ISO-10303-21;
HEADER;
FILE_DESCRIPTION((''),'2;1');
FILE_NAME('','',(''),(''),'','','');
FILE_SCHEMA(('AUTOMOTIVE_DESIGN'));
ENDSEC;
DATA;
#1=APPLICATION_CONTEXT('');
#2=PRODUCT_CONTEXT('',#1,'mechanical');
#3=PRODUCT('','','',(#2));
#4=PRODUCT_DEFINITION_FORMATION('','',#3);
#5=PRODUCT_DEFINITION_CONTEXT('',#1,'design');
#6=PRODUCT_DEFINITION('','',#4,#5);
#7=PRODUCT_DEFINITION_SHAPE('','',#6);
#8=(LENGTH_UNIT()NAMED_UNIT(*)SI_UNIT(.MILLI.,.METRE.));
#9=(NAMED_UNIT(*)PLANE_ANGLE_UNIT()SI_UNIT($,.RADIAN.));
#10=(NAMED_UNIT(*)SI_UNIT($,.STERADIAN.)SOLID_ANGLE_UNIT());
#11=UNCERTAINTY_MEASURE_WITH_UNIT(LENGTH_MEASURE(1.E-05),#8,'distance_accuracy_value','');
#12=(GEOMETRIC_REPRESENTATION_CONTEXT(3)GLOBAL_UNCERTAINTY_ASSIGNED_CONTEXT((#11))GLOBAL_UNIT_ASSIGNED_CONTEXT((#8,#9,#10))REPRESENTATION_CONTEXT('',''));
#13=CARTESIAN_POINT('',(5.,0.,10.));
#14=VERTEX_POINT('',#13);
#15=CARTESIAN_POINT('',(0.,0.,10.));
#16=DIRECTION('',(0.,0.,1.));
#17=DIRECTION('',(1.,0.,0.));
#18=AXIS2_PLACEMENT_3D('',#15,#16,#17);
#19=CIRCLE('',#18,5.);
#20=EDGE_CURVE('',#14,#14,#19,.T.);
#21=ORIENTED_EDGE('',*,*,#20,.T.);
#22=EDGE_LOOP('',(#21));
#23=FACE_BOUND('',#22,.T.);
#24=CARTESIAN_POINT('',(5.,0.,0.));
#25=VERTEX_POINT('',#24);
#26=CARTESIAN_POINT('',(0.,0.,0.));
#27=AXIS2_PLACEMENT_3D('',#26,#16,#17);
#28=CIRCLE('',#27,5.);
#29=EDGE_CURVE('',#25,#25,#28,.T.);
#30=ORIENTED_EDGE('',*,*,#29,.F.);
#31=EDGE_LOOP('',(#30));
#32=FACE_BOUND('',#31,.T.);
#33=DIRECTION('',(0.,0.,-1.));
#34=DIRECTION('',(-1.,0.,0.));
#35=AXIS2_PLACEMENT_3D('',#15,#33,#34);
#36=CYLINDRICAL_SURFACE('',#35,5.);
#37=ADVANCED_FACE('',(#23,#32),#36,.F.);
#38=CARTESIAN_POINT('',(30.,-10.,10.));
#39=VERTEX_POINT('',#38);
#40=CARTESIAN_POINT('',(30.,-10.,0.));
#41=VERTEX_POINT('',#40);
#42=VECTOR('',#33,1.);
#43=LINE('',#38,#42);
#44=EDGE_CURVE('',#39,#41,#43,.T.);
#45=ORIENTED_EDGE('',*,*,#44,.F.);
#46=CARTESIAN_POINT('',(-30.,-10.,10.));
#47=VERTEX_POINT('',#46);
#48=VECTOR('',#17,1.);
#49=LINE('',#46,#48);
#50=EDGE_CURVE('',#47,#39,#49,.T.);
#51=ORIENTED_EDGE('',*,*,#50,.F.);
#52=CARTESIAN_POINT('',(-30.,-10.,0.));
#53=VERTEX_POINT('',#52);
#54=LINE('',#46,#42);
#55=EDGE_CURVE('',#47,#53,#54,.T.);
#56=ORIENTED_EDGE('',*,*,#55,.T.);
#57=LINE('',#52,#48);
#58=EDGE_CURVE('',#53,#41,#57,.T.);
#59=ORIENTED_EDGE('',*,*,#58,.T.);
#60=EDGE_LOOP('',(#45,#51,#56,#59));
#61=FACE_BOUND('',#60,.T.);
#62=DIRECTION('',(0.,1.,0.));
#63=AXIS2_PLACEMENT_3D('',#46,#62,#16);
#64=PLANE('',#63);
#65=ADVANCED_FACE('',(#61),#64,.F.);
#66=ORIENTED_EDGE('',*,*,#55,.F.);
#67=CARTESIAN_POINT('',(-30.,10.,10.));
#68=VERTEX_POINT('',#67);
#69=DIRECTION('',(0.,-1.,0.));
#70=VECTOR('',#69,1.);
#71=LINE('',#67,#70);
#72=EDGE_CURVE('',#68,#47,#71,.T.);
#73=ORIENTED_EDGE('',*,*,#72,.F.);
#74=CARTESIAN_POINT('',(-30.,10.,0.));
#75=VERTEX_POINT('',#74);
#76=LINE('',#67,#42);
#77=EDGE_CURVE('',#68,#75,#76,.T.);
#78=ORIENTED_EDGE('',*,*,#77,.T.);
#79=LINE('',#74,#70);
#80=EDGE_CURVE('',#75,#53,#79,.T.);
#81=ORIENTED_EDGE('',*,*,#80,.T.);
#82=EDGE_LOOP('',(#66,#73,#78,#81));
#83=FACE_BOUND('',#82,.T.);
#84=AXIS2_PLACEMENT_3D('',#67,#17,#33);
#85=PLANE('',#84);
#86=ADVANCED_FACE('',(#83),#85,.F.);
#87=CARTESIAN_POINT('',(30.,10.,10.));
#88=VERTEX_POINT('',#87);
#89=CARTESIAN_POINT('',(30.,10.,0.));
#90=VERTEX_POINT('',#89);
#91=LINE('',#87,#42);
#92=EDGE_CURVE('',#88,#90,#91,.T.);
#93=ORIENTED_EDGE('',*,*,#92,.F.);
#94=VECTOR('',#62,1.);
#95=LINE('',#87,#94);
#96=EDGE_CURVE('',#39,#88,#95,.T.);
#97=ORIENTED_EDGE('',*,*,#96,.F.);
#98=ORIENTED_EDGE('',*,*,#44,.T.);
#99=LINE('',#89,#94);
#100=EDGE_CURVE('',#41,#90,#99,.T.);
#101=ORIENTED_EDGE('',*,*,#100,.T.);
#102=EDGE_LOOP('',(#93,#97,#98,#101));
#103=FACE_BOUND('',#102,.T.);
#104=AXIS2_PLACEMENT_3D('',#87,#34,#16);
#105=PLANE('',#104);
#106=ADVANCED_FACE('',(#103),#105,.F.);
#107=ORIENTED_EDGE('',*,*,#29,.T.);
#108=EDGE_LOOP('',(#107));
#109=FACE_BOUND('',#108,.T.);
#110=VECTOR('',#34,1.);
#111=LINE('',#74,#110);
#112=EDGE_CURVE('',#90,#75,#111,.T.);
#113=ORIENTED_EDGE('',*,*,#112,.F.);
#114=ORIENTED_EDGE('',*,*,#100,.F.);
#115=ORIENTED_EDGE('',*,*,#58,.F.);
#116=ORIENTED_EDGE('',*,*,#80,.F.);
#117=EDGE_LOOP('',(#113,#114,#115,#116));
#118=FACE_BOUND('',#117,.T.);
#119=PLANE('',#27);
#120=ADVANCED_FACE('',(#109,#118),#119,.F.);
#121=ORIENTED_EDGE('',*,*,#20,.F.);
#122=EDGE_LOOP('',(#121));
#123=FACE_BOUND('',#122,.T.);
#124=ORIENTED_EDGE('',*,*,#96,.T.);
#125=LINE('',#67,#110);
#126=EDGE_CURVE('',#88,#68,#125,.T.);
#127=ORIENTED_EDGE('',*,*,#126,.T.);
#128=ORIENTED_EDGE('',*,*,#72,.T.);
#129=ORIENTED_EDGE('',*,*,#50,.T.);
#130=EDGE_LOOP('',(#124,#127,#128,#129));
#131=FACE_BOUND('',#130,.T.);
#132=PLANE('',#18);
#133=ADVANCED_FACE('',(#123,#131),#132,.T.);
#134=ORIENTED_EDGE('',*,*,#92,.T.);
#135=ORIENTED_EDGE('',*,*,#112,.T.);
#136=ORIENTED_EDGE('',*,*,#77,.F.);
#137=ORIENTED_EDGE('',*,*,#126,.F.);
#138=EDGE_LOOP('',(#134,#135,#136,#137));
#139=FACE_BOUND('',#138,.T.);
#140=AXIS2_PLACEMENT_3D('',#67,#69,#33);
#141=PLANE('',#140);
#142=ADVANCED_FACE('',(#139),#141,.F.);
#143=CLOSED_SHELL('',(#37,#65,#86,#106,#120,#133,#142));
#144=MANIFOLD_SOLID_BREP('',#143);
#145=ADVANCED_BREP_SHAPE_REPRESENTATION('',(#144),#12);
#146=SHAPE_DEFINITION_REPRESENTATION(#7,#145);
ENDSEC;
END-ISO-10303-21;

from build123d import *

# Parameters (mm, degrees)
SKETCH1_W           = 60
SKETCH1_H           = 20
SKETCH1_R           = 5
BOSS_EXTRUDE1_DEPTH = 10


with BuildPart() as part:
    # Sketch1 → Boss-Extrude1 (new body)
    with BuildSketch(Plane.XY):
        Rectangle(SKETCH1_W, SKETCH1_H)
        Circle(SKETCH1_R, mode=Mode.SUBTRACT)
    extrude(amount=BOSS_EXTRUDE1_DEPTH)


solid = part.part
